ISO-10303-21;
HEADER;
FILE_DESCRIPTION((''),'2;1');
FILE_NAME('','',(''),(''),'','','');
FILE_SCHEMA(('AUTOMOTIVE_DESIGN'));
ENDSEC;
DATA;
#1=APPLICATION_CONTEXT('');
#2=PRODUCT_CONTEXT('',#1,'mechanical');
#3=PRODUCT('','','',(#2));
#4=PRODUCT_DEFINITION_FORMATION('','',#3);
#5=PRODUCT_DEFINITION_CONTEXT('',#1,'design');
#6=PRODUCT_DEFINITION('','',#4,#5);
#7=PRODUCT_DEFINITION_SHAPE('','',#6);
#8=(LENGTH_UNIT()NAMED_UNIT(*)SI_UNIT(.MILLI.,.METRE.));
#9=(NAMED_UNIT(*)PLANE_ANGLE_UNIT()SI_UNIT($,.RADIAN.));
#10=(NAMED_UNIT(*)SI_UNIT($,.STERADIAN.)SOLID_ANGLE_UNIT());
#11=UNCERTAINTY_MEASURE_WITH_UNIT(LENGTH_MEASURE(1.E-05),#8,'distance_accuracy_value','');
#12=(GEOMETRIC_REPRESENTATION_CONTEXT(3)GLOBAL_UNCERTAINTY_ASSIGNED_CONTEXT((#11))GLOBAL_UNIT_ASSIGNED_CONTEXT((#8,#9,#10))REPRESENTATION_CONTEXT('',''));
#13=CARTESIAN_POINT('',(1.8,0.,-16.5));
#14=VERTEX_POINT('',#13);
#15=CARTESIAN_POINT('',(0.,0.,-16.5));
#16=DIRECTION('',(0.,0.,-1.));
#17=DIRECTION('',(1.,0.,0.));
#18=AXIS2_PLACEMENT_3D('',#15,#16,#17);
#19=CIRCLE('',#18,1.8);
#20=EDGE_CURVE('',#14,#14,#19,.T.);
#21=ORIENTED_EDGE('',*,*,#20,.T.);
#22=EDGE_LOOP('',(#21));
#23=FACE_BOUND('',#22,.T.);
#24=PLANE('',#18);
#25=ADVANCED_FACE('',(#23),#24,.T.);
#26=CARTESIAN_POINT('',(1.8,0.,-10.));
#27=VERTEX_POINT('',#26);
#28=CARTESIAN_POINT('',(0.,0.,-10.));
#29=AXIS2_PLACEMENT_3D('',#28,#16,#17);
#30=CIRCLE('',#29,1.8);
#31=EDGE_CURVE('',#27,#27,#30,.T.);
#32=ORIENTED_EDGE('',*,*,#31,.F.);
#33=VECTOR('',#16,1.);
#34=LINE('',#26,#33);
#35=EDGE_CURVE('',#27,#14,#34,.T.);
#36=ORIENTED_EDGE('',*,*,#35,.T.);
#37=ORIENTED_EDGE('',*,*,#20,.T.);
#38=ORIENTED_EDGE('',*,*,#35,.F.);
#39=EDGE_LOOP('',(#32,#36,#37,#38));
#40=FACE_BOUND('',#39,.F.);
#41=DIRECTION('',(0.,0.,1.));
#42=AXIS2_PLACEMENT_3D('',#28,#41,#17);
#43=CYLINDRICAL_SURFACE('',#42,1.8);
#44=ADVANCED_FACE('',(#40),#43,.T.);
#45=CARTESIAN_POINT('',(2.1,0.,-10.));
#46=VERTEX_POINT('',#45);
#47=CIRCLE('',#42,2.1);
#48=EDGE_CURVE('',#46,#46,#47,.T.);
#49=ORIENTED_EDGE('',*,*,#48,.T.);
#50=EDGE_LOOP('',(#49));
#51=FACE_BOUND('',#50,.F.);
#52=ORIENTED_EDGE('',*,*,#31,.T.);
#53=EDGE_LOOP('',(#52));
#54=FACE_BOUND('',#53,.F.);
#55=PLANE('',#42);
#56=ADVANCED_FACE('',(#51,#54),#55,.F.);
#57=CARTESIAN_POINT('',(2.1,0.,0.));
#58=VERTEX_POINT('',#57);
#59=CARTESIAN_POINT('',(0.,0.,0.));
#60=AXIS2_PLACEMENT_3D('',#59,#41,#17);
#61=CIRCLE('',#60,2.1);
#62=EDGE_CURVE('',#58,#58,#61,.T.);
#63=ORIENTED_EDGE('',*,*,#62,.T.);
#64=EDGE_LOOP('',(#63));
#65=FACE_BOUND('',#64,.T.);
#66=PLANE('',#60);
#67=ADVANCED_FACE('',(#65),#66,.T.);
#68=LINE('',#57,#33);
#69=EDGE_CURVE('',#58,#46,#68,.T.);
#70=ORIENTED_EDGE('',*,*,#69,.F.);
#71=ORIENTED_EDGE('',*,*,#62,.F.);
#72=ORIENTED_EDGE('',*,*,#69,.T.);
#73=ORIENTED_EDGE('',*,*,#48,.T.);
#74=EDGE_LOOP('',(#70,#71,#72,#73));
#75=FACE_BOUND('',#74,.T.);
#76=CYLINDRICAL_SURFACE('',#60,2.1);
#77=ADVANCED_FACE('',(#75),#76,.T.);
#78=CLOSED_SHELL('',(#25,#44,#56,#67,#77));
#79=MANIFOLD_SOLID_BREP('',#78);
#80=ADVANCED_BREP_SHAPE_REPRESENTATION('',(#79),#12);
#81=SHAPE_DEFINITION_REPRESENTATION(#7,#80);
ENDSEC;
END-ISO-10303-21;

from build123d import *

# Parameters (mm, degrees)
F0_R     = 2.1
F1_DEPTH = 10
F2_R     = 1.8
F3_DEPTH = 6.5


with BuildPart() as f1:
    # F0 (on Top) → F1 (new body)
    with BuildSketch(Plane.XY):
        Circle(F0_R)
    extrude(amount=-F1_DEPTH)

    # F2 (on face) → F3 (join)
    with BuildSketch(Plane(origin=(0, 0, -10), x_dir=(1, 0, 0), z_dir=(0, 0, -1))):
        Circle(F2_R)
    extrude(amount=F3_DEPTH)


solid = f1.part
